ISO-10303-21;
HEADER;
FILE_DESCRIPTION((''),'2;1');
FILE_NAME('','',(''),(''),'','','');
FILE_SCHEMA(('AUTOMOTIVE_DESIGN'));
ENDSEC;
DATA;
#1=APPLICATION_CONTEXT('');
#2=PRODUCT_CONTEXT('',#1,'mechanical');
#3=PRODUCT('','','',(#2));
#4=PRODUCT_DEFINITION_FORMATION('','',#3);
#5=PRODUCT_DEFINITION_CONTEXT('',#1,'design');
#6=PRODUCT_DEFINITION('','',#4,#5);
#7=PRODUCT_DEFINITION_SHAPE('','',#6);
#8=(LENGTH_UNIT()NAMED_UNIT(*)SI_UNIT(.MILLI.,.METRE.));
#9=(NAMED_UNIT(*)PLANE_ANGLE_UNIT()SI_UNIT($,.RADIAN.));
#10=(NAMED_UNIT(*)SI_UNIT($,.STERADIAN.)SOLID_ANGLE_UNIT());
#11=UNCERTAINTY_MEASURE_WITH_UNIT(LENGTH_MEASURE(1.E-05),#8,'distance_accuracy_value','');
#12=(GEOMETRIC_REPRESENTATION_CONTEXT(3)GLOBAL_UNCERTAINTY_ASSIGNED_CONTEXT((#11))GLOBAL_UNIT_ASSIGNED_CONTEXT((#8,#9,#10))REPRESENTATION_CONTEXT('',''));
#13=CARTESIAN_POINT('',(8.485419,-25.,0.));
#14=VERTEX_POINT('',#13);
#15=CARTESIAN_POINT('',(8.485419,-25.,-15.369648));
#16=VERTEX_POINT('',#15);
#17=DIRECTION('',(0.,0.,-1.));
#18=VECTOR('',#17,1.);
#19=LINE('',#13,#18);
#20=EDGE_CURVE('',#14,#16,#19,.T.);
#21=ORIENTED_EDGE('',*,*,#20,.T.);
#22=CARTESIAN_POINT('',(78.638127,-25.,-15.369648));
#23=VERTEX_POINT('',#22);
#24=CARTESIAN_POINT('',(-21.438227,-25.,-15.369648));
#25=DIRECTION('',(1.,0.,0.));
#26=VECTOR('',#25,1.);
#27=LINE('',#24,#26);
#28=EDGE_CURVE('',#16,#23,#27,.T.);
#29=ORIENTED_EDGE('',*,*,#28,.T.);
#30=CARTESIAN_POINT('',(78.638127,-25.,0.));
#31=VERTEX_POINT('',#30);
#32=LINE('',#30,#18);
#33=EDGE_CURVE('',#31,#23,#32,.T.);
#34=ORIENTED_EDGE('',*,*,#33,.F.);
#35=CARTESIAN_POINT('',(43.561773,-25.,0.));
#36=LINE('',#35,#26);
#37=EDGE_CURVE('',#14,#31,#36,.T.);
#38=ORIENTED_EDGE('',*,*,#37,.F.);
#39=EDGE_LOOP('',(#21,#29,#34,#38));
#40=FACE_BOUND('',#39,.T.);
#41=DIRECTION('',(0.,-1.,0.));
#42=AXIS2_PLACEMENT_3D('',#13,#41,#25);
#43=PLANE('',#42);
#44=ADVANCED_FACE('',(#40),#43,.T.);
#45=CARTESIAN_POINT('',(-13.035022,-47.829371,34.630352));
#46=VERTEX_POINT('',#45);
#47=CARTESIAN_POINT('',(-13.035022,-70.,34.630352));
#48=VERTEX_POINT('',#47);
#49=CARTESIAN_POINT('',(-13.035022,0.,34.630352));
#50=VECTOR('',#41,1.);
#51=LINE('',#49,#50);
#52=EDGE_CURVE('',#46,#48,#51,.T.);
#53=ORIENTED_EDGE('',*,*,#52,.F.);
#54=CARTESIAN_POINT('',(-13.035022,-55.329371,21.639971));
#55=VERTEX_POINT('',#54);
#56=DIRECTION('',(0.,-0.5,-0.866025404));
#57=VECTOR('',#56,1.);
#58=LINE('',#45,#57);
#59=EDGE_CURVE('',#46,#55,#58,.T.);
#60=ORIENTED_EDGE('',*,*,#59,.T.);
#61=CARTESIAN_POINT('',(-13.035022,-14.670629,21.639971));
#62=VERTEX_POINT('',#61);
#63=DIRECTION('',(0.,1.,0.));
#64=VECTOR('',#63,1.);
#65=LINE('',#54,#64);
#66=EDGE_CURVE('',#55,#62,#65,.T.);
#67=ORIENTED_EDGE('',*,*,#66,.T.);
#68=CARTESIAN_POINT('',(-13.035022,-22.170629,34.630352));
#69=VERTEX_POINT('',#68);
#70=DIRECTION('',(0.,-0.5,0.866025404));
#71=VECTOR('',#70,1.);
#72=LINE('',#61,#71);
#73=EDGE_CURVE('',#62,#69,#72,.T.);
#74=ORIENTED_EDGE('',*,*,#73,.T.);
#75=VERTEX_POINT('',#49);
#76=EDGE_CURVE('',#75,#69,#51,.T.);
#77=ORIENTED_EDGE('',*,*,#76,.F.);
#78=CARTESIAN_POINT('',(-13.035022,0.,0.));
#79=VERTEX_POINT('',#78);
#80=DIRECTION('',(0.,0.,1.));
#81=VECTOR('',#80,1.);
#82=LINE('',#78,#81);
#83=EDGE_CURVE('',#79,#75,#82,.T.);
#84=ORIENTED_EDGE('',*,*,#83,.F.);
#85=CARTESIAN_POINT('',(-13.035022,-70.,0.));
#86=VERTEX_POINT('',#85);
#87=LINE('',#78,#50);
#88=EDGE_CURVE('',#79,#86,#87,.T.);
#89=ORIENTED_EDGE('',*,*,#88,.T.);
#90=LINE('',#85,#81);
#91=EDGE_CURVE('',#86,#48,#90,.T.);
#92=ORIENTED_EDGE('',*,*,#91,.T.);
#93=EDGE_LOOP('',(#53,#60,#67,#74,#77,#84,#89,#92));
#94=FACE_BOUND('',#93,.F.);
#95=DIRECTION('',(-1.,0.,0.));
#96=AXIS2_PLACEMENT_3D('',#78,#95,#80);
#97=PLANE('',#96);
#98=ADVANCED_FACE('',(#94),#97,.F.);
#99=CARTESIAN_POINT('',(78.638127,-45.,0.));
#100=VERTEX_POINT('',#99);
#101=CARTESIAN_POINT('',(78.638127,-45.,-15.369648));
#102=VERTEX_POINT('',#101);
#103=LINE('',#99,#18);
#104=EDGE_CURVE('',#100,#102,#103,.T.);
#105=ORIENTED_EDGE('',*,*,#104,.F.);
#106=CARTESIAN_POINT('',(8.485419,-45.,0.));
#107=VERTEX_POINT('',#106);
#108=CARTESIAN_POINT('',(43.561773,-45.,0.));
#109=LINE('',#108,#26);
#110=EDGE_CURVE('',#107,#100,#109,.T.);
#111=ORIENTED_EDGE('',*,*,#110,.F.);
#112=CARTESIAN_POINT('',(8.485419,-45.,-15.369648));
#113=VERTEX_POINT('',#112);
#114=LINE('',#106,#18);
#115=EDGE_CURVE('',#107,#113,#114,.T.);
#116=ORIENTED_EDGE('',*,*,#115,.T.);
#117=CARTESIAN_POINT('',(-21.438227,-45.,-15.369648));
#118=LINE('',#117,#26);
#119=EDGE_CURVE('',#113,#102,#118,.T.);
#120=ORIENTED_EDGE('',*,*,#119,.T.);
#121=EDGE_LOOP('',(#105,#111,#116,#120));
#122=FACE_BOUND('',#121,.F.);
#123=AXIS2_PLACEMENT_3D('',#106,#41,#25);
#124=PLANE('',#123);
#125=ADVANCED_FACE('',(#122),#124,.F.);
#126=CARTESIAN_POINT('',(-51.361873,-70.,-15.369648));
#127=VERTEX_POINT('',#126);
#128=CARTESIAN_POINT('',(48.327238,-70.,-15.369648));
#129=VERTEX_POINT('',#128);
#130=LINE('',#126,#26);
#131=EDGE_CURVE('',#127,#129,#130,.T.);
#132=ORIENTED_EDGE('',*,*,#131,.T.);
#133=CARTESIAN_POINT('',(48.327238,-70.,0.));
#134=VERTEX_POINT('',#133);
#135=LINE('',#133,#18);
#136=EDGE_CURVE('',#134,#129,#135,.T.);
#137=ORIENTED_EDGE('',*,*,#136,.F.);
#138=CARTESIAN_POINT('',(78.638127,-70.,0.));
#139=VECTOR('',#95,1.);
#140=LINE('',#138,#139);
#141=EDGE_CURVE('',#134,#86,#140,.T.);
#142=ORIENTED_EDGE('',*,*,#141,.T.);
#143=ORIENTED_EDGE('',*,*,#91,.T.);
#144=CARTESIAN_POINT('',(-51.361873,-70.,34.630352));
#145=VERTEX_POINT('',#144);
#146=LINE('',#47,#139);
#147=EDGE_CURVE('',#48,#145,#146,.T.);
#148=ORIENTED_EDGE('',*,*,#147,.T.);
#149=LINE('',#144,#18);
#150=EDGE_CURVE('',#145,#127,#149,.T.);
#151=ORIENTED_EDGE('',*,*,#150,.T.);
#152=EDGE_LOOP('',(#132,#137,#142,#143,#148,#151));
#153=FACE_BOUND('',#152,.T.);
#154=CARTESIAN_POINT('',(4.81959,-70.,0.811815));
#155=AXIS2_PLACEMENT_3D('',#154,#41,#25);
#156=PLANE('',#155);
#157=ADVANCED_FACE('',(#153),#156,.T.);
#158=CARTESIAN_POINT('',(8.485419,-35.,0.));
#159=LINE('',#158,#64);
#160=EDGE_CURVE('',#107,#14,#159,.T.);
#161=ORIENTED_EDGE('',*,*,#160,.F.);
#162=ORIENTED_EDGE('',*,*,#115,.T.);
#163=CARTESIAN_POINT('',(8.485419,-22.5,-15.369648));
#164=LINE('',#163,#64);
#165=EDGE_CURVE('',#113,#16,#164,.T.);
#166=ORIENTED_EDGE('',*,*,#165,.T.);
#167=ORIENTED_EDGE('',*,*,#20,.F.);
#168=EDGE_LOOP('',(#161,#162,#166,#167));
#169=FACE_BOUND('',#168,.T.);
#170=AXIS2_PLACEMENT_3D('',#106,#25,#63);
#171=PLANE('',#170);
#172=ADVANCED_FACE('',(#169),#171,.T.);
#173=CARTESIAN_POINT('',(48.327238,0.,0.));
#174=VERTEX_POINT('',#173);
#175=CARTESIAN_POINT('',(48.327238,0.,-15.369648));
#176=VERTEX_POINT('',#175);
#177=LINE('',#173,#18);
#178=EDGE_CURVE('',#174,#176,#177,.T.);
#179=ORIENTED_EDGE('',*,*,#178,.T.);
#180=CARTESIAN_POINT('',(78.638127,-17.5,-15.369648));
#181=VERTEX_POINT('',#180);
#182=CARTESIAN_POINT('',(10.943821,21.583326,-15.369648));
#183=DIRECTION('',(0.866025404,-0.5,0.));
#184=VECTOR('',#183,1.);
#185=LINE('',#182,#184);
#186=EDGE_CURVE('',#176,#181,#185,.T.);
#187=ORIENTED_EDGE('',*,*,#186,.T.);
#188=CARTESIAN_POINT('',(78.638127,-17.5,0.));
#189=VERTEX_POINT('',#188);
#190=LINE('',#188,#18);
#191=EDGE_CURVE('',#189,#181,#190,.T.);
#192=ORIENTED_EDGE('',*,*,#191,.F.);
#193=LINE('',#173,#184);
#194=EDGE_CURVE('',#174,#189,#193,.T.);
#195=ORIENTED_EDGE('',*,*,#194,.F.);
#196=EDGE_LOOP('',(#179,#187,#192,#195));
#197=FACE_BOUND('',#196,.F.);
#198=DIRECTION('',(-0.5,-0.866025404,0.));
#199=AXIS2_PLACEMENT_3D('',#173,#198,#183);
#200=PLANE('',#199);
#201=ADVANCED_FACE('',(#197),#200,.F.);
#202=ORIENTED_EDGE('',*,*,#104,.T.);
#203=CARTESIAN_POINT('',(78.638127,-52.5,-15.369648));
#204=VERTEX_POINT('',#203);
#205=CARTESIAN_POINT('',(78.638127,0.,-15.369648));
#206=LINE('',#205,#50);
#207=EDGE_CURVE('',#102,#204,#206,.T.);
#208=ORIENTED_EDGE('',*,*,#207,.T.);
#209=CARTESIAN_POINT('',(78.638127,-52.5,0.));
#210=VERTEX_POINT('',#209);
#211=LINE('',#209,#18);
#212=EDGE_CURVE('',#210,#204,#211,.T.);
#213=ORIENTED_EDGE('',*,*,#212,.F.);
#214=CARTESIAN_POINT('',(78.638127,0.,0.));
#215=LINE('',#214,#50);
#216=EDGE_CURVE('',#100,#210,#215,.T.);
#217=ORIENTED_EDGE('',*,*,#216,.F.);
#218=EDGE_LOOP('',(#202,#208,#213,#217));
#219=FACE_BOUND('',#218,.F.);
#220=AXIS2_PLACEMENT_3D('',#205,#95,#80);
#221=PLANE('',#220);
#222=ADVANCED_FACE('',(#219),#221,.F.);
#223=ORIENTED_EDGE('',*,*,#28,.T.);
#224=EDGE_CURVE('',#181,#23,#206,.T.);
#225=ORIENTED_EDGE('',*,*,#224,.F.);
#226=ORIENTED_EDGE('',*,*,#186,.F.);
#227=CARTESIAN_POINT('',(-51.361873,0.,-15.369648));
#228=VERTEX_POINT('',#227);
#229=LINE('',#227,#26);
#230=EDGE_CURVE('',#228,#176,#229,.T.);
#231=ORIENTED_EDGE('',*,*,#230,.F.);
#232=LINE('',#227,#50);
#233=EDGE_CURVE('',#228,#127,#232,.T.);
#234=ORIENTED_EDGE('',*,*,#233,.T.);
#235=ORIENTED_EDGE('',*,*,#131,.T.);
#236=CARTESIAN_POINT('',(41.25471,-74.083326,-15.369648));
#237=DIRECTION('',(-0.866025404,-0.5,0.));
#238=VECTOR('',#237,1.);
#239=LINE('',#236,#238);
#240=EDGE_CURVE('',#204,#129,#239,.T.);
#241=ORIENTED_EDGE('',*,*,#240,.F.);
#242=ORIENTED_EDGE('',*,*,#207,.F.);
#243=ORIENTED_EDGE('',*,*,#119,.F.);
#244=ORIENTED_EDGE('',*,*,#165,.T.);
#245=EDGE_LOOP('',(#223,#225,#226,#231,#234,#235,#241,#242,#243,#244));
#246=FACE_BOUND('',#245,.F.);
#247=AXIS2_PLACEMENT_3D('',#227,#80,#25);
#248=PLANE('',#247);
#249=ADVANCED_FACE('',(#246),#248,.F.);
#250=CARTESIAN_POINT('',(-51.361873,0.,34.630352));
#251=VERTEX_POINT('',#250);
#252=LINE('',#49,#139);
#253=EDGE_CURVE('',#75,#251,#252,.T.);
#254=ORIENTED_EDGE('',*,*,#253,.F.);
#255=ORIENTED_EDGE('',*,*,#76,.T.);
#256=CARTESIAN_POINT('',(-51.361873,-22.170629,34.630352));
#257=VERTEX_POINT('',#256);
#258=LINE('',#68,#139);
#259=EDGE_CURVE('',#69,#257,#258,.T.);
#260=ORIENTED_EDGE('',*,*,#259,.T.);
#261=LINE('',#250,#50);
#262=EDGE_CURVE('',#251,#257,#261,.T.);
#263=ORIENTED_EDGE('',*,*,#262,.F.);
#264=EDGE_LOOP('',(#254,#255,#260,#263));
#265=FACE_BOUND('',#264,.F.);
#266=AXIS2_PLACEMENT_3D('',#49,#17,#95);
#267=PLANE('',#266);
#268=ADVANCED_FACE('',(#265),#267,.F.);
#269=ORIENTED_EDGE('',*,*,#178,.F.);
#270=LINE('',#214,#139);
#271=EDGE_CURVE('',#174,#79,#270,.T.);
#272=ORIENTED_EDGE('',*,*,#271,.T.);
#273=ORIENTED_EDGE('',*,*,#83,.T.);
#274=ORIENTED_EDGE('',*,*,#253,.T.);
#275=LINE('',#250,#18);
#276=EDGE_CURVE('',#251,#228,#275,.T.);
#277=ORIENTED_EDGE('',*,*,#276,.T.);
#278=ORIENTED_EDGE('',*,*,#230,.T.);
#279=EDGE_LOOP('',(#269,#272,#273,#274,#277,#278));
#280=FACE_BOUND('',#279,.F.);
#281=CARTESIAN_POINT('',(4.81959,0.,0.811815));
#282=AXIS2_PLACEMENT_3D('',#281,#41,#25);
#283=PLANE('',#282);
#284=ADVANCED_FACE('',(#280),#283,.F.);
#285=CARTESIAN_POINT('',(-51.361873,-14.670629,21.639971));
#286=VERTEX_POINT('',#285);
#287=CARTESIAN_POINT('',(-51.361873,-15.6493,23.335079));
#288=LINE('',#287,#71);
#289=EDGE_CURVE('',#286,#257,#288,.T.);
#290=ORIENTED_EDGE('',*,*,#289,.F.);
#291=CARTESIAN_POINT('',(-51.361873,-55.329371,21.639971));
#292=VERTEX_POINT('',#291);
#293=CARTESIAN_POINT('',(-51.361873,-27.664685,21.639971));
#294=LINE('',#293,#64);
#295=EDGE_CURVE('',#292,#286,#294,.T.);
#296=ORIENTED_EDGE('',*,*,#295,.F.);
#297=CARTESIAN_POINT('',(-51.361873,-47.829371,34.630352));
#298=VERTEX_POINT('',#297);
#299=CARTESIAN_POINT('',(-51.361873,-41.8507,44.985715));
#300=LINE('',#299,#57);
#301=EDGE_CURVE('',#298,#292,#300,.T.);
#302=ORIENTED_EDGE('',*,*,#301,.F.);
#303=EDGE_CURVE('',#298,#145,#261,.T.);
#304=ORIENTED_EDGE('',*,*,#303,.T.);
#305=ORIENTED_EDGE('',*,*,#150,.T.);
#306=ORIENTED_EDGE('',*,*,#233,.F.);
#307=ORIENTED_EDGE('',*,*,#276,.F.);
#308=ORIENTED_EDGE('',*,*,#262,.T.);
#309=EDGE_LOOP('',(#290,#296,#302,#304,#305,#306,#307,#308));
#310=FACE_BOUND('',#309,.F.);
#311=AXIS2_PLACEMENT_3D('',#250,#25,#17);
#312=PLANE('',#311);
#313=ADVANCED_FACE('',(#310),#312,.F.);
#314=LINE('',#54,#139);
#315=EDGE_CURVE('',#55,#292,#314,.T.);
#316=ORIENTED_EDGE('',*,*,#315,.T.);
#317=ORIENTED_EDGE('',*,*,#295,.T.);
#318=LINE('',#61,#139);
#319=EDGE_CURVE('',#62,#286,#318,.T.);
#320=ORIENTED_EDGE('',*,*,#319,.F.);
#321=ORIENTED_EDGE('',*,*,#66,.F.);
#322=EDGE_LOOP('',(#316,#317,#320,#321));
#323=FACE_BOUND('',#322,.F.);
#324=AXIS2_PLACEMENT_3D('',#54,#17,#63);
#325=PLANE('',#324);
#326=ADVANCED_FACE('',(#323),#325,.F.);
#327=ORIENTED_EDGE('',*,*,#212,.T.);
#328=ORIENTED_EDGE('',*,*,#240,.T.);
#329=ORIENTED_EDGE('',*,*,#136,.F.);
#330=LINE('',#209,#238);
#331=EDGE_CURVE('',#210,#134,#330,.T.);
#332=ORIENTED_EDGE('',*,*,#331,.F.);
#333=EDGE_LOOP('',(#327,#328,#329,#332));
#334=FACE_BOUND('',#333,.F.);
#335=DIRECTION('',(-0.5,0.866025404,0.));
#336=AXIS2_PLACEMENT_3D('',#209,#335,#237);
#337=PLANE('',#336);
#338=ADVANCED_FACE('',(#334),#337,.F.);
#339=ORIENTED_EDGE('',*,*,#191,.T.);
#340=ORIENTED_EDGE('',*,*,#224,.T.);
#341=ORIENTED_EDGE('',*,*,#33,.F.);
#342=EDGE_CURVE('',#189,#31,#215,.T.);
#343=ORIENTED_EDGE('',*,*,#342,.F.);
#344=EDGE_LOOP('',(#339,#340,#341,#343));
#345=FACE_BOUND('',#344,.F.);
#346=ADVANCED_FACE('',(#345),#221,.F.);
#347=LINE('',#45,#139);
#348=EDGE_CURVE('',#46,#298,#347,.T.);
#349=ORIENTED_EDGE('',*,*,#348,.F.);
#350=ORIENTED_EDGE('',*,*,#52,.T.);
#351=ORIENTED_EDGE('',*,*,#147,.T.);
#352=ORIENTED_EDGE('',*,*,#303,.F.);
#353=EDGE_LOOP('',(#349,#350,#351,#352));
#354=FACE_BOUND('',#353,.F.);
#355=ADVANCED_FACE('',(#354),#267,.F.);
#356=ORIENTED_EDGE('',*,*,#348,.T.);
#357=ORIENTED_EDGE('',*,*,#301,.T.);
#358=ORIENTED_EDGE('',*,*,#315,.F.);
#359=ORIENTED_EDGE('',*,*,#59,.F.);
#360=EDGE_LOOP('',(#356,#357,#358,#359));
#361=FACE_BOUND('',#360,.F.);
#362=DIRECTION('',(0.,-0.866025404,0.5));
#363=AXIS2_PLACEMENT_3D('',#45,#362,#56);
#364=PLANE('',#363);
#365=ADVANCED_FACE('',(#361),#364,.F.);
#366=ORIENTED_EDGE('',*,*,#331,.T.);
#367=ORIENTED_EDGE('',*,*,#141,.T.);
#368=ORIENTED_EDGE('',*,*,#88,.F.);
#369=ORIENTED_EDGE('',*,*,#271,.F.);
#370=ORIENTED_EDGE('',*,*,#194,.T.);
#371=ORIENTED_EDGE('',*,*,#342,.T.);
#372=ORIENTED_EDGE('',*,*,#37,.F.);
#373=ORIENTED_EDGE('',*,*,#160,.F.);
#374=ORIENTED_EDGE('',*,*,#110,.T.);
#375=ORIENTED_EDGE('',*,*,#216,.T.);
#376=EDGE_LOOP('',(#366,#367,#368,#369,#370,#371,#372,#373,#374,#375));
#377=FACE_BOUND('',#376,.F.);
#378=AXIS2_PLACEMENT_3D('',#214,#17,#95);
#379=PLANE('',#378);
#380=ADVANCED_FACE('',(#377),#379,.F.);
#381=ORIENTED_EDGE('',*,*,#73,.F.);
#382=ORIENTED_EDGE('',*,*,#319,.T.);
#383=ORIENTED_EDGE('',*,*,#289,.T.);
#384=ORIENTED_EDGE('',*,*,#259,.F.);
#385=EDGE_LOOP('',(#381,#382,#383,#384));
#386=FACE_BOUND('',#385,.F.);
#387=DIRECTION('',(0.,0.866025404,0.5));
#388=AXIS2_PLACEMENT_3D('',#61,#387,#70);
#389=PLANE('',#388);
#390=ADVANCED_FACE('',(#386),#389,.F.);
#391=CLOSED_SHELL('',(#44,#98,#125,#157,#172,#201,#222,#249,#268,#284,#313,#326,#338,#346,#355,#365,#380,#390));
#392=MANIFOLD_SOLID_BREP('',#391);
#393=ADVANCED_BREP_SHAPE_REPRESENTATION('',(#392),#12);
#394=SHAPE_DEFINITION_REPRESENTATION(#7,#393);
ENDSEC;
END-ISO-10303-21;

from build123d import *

# Parameters (mm, degrees)
F1_DEPTH = 70
F3_DEPTH = 38.3278513458
F4_W     = 70.1527081109
F4_H     = 20
F5_DEPTH = 15.3706480632
F8_DEPTH = 15.3706480632


with BuildPart() as f1:
    # F0 (on Front) → F1 (new body)
    with BuildSketch(Plane.XZ):
        Polygon((-13.0350217989, 34.6303519368), (-51.3618731447, 34.6303519368), (-51.3618731447, -15.3696480632), (78.6381268553, -15.3696480632), (78.6381268553, 0), (-13.0350217989, 0), align=None)
    extrude(amount=F1_DEPTH)

    # F2 (on face) → F3 (cut, through all)
    with BuildSketch(Plane.YZ.offset(-13.0350217989)):
        Polygon((-22.1706290543, 34.6303519368), (-47.8293709457, 34.6303519368), (-55.3293709457, 21.6399708801), (-35, 21.6399708801), (-14.6706290543, 21.6399708801), align=None)
    extrude(amount=-F3_DEPTH, mode=Mode.SUBTRACT)

    # F4 (on face) → F5 (cut, through all)
    with BuildSketch(Plane.XY):
        with Locations((43.5617727999, -35)):
            Rectangle(F4_W, F4_H)
    extrude(amount=-F5_DEPTH, mode=Mode.SUBTRACT)

    # F7 (on face) → F8 (cut, through all)
    with BuildSketch(Plane.XY):
        Polygon((78.6381268553, -52.5), (48.3272377229, -70), (78.6381268553, -70), align=None)
        Polygon((48.3272377229, 0), (78.6381268553, -17.5), (78.6381268553, 0), align=None)
    extrude(amount=-F8_DEPTH, mode=Mode.SUBTRACT)


solid = f1.part
